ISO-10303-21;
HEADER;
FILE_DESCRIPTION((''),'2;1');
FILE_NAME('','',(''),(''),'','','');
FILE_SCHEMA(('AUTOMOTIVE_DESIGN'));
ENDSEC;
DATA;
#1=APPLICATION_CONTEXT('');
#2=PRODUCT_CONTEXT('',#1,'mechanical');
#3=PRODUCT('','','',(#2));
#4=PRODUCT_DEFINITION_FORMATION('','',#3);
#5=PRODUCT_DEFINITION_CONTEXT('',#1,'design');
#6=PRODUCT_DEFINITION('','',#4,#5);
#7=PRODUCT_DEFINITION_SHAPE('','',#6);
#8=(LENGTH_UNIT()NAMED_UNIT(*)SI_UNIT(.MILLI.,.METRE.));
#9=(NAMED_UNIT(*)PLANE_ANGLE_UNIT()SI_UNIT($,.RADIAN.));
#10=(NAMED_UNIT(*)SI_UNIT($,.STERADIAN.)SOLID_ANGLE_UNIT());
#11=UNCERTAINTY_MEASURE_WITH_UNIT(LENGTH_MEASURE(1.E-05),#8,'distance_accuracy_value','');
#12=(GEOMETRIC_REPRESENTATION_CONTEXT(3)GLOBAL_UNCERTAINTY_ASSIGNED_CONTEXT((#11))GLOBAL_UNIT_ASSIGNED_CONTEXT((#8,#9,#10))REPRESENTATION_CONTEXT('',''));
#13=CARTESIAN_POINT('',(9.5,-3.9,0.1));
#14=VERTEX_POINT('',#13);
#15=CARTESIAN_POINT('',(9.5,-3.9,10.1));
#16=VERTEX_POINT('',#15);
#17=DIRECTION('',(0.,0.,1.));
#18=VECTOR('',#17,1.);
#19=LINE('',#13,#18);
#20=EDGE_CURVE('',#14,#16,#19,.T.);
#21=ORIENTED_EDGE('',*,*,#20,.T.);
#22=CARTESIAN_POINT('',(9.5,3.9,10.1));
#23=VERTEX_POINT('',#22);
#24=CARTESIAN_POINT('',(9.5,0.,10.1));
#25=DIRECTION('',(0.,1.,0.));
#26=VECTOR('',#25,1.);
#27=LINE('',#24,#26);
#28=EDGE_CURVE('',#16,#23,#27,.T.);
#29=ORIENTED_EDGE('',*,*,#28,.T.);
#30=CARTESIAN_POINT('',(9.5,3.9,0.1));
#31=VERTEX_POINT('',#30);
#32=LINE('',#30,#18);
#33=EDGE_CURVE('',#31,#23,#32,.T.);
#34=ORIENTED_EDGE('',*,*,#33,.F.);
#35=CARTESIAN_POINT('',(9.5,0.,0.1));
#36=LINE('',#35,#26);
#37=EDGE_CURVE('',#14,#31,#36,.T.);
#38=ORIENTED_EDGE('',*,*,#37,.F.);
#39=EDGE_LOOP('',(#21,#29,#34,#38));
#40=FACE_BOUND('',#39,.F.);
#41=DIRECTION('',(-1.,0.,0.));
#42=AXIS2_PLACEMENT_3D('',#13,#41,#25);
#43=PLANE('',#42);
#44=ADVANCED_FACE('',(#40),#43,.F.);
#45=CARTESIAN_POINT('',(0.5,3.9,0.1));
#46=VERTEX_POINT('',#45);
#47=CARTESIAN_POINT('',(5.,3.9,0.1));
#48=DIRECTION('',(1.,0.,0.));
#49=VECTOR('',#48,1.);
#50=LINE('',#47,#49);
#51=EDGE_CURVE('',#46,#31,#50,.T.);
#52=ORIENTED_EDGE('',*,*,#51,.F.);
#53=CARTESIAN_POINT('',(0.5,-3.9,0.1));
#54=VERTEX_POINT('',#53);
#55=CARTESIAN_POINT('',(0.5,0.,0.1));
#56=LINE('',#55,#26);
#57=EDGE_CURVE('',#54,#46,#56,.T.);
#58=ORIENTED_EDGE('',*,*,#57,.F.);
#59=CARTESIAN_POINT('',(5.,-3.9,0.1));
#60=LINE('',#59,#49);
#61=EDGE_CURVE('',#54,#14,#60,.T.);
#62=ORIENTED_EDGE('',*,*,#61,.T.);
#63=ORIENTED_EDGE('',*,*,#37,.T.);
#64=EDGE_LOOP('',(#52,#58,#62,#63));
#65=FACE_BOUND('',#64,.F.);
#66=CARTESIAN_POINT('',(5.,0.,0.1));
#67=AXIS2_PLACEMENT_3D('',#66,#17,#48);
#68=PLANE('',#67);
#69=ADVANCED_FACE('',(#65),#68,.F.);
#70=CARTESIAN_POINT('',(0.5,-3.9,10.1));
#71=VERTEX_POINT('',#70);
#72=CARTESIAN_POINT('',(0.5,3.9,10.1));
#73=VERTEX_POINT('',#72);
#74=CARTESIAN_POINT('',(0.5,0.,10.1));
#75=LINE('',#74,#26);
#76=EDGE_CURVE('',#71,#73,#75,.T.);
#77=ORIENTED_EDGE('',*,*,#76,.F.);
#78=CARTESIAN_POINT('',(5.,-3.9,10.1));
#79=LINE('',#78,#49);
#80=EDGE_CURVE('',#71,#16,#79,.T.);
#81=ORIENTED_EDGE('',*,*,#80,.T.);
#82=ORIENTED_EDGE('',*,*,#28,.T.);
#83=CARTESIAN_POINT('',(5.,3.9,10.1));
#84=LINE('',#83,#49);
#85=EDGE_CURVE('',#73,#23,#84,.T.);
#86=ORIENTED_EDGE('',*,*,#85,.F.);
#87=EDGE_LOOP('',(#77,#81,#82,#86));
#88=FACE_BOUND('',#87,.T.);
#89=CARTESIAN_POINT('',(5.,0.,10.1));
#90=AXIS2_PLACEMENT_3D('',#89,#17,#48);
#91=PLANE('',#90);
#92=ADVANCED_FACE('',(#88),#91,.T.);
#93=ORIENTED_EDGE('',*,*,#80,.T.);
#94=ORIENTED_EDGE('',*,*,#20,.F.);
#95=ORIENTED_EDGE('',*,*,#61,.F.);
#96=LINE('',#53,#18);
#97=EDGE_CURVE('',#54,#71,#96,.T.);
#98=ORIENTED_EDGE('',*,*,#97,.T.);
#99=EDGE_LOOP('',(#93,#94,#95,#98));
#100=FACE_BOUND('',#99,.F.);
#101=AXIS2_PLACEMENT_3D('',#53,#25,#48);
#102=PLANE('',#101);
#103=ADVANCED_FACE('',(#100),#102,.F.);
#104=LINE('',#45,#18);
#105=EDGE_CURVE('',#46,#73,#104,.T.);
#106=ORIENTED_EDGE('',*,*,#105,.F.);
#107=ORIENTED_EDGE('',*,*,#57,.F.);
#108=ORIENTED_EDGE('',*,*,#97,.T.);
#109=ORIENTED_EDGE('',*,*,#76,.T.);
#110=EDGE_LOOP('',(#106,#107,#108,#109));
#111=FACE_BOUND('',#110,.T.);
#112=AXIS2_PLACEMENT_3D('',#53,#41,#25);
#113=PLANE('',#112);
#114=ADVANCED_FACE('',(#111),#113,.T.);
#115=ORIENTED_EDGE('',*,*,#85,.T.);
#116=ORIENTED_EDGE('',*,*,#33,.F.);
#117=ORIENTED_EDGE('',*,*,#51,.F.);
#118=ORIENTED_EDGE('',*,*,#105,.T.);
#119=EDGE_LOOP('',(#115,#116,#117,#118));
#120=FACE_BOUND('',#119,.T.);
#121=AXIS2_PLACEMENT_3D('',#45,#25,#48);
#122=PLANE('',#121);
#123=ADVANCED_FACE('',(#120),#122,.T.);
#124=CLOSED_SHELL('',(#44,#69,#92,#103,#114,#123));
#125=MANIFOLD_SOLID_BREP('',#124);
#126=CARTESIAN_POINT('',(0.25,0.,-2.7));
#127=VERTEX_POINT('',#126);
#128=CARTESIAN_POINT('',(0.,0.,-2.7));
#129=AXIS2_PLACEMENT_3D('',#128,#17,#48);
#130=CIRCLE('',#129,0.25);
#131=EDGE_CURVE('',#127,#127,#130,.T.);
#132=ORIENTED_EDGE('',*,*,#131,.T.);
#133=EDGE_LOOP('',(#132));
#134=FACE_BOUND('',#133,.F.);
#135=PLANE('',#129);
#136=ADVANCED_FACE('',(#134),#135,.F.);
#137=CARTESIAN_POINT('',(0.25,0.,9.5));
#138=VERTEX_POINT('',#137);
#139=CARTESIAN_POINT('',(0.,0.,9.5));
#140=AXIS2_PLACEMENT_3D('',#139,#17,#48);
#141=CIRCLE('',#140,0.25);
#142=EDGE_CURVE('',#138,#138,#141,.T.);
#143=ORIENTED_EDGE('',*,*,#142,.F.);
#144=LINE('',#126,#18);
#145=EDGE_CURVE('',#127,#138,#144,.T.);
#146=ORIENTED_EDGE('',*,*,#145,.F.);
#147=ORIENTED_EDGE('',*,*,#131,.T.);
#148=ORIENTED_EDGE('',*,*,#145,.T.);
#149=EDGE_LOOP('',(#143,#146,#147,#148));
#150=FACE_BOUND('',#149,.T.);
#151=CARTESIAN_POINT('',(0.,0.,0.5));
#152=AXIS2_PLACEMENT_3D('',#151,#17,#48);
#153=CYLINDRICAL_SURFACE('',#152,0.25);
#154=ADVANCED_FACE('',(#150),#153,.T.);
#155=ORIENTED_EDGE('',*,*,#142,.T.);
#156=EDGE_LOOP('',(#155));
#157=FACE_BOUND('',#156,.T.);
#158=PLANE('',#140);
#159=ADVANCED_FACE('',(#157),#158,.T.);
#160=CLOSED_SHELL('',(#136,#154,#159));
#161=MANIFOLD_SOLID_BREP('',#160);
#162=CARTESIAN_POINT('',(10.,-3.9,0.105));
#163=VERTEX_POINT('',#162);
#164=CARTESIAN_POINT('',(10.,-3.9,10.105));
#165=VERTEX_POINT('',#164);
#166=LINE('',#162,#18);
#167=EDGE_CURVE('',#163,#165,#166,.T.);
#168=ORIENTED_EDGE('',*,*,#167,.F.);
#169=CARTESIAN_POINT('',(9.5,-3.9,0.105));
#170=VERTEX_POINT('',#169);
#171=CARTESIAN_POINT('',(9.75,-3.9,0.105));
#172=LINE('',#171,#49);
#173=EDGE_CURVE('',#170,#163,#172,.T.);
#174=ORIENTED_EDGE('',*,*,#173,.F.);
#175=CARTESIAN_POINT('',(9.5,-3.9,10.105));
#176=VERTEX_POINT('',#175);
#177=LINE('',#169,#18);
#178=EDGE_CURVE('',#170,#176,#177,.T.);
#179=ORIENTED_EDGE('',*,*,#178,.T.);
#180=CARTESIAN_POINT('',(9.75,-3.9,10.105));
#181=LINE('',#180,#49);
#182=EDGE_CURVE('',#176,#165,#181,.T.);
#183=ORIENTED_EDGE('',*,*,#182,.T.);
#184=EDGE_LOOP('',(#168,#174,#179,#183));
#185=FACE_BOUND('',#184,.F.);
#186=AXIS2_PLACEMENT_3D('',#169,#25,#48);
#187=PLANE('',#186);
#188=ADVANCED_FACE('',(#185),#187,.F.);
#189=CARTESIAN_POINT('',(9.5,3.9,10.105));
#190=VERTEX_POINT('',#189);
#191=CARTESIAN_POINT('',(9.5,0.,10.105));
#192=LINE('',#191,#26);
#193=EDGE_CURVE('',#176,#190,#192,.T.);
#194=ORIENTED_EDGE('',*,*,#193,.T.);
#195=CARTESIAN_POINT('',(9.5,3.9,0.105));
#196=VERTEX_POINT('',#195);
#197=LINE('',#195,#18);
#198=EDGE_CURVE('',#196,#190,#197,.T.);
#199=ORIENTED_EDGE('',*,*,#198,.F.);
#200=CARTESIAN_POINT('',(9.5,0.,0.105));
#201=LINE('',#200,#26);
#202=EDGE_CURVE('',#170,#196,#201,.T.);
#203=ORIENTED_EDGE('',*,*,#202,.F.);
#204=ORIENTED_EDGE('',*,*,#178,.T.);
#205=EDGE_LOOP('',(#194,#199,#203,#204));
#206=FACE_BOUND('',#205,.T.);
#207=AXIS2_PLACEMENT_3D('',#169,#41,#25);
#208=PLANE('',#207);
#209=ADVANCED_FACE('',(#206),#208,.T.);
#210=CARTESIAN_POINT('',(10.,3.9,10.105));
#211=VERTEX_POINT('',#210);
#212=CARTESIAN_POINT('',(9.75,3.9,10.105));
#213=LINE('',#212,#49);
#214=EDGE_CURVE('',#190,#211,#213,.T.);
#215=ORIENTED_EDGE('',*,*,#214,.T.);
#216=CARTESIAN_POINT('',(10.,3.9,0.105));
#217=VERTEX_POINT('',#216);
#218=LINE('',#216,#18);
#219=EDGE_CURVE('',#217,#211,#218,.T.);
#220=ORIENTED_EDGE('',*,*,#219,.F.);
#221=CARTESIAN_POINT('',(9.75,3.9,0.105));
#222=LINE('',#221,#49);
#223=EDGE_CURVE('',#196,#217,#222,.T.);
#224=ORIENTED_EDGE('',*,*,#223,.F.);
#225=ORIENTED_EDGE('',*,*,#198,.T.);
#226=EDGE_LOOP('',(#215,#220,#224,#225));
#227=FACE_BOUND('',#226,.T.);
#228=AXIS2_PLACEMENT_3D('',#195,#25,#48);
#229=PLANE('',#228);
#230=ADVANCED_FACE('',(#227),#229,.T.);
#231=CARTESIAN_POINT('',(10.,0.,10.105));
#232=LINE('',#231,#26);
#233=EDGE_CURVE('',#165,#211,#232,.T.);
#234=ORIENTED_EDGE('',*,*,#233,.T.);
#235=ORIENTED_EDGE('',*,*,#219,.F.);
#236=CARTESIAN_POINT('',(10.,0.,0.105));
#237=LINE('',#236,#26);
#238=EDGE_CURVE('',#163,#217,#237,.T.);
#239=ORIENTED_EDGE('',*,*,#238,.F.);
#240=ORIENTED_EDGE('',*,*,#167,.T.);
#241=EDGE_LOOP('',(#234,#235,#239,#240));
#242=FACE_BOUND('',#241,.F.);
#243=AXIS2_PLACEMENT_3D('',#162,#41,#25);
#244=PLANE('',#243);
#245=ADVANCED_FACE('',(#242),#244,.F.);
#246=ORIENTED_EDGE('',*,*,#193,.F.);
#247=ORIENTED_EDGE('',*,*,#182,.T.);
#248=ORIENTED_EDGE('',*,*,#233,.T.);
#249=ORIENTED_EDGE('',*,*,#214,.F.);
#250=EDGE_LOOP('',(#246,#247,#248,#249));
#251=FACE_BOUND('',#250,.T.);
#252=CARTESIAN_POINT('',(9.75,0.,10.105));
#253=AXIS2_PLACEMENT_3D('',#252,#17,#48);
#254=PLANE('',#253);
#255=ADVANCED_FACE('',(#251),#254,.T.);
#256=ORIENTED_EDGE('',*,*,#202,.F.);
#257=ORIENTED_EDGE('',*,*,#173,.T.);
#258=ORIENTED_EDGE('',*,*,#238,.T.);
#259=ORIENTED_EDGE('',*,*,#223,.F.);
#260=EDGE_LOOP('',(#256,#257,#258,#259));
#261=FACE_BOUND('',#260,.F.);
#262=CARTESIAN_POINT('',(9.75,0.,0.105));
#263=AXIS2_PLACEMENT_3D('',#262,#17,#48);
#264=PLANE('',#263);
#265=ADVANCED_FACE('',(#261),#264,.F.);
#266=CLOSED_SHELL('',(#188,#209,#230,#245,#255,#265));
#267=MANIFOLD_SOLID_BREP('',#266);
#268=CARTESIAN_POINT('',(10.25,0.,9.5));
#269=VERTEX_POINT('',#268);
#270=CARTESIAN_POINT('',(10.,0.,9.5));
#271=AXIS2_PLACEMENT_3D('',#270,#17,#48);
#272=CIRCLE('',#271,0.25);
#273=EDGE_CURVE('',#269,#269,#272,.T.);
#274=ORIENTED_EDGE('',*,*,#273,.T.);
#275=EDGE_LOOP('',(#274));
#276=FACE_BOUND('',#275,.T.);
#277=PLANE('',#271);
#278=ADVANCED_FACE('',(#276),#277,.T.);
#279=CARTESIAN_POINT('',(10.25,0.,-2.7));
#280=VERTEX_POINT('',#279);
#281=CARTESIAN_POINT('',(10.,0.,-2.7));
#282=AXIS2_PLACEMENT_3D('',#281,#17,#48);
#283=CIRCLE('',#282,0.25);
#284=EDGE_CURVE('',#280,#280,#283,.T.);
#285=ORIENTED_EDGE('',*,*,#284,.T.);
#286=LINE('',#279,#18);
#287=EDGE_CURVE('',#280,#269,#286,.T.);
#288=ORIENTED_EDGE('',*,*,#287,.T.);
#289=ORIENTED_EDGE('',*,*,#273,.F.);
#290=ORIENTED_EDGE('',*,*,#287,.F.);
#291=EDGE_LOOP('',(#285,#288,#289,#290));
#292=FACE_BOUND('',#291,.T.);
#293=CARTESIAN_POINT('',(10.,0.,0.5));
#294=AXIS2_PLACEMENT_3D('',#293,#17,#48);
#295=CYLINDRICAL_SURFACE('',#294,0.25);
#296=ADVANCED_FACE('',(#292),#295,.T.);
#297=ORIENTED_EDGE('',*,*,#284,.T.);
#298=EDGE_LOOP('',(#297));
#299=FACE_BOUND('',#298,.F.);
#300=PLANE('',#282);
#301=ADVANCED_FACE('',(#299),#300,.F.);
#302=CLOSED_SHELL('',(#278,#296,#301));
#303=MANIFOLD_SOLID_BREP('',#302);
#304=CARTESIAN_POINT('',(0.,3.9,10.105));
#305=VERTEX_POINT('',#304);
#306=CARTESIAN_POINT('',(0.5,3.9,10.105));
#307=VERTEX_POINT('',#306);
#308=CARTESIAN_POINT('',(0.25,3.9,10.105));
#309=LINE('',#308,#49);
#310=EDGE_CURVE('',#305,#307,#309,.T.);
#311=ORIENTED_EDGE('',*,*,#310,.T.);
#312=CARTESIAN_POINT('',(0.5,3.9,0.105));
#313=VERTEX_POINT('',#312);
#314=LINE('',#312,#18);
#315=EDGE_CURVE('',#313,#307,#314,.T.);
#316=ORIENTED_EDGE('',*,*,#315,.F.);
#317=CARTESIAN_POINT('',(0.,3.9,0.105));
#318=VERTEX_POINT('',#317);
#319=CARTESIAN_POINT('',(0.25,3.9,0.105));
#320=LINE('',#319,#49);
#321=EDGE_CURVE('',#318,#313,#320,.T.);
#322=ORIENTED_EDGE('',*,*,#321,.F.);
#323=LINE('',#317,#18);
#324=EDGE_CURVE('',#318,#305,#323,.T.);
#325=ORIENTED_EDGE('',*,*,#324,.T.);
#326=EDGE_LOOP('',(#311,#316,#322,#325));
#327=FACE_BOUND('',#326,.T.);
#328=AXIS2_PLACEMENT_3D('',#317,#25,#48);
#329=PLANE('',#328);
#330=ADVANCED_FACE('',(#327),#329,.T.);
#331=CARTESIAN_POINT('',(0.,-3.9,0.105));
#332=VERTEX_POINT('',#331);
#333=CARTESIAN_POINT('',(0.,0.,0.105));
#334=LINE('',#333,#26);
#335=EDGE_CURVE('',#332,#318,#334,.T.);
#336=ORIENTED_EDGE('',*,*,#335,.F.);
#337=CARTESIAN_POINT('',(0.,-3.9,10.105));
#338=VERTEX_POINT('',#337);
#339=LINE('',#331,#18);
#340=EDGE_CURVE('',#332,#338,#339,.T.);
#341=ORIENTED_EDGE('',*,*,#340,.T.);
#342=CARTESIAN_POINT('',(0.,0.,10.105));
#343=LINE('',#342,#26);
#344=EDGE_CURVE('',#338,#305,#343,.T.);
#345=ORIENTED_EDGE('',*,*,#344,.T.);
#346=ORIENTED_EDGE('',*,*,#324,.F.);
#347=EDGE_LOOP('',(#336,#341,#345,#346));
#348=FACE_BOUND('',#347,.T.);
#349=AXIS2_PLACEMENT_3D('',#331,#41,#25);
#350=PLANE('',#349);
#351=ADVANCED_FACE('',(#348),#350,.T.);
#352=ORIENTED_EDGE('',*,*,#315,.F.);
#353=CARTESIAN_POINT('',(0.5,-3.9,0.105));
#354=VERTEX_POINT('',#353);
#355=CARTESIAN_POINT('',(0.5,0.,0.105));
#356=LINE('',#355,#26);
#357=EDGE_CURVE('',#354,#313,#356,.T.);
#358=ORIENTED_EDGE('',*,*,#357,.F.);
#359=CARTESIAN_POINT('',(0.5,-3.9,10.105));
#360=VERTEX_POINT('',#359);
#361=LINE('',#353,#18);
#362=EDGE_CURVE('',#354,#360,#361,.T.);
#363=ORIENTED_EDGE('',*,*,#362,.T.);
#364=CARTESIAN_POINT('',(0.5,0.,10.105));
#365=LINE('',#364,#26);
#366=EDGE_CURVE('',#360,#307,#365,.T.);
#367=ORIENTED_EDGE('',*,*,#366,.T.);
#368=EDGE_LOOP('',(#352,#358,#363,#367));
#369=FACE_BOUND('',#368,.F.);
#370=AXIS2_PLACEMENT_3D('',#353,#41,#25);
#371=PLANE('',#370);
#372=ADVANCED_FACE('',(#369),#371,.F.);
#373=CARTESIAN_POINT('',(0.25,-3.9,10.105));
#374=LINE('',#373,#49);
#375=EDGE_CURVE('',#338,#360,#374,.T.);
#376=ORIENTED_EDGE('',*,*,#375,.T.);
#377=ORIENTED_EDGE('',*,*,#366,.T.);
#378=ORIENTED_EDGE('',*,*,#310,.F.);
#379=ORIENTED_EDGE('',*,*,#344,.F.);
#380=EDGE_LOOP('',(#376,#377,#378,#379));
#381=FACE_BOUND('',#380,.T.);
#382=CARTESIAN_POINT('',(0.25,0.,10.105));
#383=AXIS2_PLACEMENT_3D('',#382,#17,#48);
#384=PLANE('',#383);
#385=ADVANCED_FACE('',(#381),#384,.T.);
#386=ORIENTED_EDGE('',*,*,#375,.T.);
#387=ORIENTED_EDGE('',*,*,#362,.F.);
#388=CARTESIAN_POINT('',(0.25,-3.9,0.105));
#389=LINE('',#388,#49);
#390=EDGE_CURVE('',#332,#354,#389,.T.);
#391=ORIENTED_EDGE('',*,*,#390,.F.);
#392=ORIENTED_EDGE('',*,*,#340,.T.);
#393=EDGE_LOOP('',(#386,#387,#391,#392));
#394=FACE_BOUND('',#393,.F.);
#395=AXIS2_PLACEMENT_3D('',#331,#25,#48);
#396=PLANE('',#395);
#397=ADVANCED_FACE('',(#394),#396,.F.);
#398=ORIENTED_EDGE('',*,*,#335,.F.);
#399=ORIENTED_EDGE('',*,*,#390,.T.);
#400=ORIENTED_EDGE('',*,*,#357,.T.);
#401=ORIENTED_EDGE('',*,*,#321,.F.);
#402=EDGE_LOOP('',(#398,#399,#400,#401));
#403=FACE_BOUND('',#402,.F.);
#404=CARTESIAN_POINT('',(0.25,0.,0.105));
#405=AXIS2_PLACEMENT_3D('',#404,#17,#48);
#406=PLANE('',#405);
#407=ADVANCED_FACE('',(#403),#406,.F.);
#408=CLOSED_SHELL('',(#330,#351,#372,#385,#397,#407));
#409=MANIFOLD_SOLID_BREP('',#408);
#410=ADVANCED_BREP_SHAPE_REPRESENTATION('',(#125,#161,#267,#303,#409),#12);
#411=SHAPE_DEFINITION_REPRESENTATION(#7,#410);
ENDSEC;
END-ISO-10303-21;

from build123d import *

# Parameters (mm, degrees)
SKETCH_W          = 9
SKETCH_H          = 7.8
PAD_DEPTH         = 10
SKETCH001_R       = 0.25
PAD001_DEPTH      = 9
PAD001_DEPTH_BACK = 3.2
SKETCH002_W       = 0.5
SKETCH002_H       = 7.8
PAD002_DEPTH      = 10


with BuildPart() as pad:
    # Sketch → Pad (new body)
    with BuildSketch(Plane.XY.offset(0.1)):
        with Locations((5, 0)):
            Rectangle(SKETCH_W, SKETCH_H)
    extrude(amount=PAD_DEPTH)


with BuildPart() as pad001:
    # Sketch001 → Pad001 (new body, two sides)
    with BuildSketch(Plane.XY.offset(0.5)) as pad001_sk:
        Circle(SKETCH001_R)
        with Locations((10, 0)):
            Circle(SKETCH001_R)
    extrude(amount=PAD001_DEPTH)
    extrude(pad001_sk.sketch, amount=-PAD001_DEPTH_BACK)


with BuildPart() as pad002:
    # Sketch002 → Pad002 (new body)
    with BuildSketch(Plane.XY.offset(0.105)):
        with Locations((0.25, 0)):
            Rectangle(SKETCH002_W, SKETCH002_H)
        with Locations((9.75, 0)):
            Rectangle(SKETCH002_W, SKETCH002_H)
    extrude(amount=PAD002_DEPTH)


solid = Compound([pad.part, pad001.part, pad002.part])
